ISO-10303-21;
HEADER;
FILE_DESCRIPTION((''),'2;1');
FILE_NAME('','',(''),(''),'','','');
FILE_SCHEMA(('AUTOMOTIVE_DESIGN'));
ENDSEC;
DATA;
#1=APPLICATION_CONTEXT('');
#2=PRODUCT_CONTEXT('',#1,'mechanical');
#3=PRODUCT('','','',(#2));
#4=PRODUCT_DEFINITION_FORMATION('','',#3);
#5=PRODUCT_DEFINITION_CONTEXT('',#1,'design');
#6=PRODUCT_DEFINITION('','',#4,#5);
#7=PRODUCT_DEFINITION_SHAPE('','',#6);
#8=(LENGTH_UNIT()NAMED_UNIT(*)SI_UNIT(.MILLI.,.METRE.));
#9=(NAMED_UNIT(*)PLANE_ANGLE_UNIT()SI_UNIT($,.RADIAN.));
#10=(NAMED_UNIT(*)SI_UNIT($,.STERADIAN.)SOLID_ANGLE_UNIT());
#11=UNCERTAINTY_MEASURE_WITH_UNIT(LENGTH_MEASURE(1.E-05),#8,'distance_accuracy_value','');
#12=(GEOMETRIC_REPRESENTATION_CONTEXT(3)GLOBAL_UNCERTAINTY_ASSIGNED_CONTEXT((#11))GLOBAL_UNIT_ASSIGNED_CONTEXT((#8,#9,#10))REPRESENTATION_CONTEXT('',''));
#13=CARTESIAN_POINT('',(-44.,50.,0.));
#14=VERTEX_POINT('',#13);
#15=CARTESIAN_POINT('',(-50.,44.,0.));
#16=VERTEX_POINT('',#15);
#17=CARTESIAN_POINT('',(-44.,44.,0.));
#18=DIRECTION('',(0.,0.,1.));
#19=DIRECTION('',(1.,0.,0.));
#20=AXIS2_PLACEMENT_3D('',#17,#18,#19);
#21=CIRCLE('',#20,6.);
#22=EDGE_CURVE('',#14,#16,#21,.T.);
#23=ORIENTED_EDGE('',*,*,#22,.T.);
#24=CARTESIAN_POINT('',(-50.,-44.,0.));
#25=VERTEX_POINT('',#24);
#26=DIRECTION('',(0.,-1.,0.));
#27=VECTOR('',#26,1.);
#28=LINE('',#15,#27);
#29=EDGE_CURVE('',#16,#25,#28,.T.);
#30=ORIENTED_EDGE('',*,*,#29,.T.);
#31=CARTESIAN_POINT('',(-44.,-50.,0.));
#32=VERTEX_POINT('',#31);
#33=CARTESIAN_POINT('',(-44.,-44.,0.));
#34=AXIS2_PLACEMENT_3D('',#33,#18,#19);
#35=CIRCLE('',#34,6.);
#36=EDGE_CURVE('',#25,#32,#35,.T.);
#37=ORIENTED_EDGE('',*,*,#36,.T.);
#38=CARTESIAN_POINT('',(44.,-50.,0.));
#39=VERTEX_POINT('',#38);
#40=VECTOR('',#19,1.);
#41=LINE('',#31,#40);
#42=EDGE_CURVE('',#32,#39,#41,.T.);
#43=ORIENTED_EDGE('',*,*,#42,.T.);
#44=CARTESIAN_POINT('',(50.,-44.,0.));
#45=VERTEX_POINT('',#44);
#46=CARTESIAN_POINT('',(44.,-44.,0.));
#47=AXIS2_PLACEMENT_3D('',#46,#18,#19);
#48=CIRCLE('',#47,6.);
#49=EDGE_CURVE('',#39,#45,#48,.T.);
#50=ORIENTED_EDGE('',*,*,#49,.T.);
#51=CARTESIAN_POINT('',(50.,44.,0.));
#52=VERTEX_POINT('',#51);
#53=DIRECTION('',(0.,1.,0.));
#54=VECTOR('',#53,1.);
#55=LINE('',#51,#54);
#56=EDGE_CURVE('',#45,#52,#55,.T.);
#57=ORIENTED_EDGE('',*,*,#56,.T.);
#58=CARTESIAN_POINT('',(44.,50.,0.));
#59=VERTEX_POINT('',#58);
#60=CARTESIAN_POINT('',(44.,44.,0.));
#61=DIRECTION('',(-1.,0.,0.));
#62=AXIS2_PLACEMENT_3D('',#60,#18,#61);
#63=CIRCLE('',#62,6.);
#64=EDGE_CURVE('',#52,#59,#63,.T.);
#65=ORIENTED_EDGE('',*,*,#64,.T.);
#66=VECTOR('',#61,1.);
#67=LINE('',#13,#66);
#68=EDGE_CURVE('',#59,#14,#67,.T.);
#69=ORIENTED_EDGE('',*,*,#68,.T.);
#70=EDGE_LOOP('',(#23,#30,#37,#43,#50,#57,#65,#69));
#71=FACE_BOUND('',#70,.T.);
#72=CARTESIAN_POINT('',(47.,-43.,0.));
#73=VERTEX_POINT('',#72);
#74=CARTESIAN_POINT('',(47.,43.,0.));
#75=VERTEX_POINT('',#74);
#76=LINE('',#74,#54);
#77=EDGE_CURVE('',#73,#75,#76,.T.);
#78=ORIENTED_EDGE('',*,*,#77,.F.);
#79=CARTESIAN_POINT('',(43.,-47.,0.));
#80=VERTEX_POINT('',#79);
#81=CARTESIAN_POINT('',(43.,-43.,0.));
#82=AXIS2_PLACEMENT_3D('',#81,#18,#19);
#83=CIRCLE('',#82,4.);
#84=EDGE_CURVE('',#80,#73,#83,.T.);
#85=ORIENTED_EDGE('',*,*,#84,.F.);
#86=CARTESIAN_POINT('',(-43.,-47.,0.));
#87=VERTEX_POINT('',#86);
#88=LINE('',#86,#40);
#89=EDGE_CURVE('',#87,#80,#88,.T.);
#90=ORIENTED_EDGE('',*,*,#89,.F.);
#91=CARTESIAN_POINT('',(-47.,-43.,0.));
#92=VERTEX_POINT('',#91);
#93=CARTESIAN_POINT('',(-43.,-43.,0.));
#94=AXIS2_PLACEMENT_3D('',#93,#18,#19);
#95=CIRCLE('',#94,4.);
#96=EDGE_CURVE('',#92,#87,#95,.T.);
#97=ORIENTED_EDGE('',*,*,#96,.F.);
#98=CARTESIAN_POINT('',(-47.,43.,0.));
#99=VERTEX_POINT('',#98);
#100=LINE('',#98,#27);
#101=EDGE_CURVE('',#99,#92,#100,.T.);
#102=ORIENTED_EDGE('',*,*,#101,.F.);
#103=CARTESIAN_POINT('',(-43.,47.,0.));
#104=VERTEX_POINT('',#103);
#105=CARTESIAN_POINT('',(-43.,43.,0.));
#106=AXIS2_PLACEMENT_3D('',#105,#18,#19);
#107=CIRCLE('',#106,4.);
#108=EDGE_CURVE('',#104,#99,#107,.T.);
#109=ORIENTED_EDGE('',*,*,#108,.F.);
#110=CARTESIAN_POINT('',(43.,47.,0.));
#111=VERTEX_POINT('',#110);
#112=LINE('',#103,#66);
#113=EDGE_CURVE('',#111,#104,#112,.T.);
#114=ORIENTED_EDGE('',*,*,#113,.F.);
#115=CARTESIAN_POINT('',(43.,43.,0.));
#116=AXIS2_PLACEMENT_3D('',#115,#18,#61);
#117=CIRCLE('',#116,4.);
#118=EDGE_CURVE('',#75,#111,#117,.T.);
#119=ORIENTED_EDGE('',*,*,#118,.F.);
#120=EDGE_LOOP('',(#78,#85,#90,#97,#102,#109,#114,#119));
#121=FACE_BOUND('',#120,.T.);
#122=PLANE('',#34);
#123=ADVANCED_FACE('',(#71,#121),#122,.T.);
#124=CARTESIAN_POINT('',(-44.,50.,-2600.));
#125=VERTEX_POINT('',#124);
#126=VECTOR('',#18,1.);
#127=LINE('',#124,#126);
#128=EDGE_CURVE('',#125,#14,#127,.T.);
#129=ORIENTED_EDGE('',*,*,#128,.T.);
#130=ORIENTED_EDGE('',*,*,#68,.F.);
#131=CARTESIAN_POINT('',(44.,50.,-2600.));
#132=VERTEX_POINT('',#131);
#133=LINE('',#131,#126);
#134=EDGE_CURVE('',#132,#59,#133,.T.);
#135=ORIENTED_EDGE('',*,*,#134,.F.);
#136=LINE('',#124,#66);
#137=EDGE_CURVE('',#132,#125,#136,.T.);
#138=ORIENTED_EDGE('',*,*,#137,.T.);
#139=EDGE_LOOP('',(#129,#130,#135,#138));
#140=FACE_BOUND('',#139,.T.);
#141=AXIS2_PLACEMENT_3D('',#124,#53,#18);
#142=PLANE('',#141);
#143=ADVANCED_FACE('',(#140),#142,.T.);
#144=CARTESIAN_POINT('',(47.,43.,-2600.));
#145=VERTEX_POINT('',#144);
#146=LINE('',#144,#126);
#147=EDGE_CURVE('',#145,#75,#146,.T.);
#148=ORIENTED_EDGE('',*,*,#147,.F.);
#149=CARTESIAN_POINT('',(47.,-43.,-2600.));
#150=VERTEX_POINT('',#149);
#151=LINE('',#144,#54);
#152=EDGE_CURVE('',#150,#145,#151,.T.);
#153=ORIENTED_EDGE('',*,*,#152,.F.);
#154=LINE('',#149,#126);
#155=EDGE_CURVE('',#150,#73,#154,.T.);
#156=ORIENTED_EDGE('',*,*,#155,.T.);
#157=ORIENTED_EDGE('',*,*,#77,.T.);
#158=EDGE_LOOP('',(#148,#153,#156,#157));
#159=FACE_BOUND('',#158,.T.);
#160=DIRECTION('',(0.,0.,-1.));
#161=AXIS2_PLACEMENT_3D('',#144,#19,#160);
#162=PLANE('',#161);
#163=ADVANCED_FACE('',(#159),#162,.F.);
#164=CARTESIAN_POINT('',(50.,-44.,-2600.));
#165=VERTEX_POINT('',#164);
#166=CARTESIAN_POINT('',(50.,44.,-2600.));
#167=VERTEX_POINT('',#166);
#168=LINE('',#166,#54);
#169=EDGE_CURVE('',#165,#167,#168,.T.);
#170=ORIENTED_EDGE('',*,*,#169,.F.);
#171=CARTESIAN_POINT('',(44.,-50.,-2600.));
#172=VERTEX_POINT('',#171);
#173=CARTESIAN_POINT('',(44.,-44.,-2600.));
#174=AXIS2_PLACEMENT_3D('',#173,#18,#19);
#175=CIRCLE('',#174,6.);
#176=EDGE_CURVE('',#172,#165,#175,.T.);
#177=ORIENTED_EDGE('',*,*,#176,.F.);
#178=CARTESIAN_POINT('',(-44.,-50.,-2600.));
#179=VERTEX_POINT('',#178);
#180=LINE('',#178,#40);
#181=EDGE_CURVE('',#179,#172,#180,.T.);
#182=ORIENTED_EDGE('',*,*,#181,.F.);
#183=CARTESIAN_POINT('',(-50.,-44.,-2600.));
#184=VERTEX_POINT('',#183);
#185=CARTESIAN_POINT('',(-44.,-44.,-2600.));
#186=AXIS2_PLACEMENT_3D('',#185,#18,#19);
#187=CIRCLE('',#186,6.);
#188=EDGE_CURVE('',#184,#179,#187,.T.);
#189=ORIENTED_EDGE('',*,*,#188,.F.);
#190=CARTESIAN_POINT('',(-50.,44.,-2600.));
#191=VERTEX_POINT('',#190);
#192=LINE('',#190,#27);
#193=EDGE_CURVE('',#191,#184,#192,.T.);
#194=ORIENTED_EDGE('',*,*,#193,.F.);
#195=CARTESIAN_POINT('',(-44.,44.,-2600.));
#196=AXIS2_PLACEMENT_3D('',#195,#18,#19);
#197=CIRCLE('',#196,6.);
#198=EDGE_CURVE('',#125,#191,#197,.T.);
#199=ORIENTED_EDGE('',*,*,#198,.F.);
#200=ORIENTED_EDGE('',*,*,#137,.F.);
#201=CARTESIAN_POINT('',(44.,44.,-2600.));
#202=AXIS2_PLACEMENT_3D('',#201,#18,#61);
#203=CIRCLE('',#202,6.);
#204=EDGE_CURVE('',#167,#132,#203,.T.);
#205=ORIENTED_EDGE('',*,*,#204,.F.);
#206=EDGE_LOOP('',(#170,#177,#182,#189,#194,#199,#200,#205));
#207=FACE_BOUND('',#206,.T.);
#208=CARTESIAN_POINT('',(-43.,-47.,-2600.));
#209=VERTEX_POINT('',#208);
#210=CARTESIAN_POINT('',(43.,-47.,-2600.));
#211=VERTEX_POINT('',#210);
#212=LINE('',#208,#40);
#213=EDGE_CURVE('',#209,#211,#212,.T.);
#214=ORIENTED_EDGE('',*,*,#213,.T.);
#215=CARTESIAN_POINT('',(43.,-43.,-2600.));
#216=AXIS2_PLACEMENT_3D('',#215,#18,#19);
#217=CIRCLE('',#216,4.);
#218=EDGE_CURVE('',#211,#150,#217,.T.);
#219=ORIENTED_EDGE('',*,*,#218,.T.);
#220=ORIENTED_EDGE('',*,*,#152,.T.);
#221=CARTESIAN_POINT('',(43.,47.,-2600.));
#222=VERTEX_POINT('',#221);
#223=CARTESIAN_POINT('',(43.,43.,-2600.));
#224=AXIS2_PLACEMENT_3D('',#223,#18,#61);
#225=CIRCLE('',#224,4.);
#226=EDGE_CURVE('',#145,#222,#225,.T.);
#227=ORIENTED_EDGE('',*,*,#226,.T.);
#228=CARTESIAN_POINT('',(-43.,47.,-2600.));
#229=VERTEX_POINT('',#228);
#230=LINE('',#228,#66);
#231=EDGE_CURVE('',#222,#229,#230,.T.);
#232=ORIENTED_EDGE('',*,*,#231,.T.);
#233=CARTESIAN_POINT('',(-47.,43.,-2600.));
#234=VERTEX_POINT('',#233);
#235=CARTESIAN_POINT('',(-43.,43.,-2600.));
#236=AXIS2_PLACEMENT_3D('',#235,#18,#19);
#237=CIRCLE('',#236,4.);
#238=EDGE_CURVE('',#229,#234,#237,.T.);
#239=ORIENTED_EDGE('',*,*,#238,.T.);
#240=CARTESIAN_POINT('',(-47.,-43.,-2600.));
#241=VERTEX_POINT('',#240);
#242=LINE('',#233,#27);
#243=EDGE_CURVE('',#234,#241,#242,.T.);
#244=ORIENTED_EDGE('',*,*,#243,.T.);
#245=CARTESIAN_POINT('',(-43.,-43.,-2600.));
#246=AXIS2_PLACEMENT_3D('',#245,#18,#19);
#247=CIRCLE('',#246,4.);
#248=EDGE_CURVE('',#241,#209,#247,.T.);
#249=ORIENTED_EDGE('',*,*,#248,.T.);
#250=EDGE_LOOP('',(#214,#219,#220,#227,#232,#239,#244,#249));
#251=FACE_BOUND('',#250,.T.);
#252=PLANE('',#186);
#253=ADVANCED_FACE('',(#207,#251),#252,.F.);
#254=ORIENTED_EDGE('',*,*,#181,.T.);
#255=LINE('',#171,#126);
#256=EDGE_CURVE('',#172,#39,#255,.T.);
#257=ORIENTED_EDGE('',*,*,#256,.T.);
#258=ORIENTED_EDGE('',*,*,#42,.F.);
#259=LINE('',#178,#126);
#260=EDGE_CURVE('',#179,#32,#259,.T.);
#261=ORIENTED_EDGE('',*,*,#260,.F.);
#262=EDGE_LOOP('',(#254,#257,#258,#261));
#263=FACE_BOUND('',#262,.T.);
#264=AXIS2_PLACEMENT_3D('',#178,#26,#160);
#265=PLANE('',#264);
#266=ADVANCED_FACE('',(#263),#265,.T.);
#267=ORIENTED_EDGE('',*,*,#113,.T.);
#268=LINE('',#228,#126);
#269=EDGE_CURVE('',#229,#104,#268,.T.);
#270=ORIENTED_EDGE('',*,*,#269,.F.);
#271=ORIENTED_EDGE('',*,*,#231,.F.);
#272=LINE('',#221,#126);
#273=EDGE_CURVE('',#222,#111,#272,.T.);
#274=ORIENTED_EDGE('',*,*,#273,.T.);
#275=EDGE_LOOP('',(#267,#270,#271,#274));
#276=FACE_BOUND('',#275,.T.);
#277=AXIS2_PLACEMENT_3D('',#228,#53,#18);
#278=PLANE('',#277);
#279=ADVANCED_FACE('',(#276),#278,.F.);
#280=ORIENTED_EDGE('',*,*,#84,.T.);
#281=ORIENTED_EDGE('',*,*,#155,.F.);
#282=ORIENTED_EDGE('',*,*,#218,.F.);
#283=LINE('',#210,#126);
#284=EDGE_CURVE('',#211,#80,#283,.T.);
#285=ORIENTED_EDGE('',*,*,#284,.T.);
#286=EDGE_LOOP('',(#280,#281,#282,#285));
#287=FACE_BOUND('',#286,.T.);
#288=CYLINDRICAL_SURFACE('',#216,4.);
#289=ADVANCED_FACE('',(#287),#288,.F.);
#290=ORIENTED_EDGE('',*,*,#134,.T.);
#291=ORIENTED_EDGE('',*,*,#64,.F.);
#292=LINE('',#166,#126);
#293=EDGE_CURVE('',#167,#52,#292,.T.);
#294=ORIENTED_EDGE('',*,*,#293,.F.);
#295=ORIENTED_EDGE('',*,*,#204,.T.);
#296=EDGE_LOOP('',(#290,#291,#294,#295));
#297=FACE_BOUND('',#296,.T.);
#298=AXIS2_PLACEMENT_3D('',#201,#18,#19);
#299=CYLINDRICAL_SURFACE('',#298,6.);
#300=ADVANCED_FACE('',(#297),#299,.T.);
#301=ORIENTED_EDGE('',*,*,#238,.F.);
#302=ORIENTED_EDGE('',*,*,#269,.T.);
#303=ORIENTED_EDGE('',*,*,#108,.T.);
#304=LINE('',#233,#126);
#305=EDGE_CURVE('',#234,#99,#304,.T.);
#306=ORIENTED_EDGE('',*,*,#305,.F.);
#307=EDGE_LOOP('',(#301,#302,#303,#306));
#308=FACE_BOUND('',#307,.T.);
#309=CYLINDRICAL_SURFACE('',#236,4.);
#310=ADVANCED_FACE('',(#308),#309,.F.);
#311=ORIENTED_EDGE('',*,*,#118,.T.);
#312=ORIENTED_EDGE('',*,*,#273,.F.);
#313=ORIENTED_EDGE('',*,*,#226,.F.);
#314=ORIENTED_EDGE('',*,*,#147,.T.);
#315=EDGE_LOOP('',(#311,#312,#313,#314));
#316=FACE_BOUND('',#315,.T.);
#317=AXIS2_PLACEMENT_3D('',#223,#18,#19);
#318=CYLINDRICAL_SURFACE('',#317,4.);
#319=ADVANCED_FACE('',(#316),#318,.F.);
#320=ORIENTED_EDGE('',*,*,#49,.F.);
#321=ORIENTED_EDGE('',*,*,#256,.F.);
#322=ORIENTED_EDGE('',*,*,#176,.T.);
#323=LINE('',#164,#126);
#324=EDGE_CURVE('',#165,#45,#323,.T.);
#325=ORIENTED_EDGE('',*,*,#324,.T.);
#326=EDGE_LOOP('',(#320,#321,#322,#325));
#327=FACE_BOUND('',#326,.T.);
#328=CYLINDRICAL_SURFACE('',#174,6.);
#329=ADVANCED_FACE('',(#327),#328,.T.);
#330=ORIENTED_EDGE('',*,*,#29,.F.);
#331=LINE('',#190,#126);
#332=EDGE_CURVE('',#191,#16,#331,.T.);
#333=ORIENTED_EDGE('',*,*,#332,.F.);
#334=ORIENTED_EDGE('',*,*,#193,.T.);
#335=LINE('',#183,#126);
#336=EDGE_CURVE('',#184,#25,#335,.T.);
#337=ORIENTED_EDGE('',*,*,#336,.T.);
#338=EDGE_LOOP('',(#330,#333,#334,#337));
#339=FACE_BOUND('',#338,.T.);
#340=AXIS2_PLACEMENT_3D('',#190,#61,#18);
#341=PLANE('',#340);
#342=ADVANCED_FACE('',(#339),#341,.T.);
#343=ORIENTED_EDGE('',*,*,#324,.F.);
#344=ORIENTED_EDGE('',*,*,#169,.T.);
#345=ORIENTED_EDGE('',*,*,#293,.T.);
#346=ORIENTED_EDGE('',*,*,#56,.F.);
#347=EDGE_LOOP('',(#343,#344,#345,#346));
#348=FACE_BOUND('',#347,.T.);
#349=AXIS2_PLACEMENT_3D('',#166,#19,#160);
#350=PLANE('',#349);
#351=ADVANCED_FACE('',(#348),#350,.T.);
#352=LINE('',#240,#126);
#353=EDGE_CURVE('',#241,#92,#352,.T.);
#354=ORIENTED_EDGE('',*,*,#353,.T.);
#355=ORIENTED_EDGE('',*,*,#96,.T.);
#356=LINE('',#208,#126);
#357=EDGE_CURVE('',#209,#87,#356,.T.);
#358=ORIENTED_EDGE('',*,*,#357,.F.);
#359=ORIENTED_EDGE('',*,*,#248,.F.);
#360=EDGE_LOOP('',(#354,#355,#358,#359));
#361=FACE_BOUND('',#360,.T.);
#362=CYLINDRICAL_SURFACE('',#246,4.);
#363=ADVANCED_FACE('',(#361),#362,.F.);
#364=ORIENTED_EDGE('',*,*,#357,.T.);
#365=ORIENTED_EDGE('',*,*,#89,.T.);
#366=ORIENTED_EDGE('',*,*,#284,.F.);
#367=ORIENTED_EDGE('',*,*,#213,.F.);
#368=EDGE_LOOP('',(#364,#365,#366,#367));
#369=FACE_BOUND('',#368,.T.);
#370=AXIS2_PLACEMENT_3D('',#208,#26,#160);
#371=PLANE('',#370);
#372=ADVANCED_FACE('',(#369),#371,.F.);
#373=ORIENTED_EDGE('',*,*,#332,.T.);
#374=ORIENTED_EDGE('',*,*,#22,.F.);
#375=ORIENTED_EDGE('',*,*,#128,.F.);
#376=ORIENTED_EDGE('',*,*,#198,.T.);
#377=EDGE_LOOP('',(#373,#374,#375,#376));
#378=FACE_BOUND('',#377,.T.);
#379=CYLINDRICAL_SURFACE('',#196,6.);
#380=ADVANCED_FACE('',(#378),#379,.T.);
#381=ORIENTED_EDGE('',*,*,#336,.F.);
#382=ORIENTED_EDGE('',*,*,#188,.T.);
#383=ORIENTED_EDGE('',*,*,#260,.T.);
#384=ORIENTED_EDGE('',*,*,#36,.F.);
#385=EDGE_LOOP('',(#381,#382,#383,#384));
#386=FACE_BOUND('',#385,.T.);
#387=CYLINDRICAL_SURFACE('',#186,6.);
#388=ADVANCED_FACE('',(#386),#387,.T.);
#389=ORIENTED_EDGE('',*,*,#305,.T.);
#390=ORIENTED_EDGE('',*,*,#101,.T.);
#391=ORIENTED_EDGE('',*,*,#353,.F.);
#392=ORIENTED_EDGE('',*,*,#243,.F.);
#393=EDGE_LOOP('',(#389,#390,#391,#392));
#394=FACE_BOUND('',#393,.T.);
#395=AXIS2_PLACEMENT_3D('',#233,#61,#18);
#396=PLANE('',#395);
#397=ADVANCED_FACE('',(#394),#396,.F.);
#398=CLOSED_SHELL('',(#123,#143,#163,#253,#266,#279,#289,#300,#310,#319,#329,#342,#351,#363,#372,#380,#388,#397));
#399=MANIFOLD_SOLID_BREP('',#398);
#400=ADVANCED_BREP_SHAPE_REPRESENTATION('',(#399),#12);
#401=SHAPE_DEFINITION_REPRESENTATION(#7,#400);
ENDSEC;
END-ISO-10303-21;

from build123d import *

# Parameters (mm, degrees)
EXTRUDE_1_DEPTH = 2600


with BuildPart() as part:
    # Эскиз1 → Бобышка-Вытянуть1 (new body)
    with BuildSketch(Plane.XY):
        with BuildLine():
            Line((-44, 50), (44, 50))
            ThreePointArc((44, 50), (48.242640687, 48.242640687), (50, 44))
            Line((50, 44), (50, -44))
            ThreePointArc((50, -44), (48.242640687, -48.242640687), (44, -50))
            Line((44, -50), (-44, -50))
            ThreePointArc((-44, -50), (-48.242640687, -48.242640687), (-50, -44))
            Line((-50, -44), (-50, 44))
            ThreePointArc((-50, 44), (-48.242640687, 48.242640687), (-44, 50))
        make_face()
        with BuildLine():
            Line((-43, 47), (43, 47))
            ThreePointArc((43, 47), (45.828427125, 45.828427125), (47, 43))
            Line((47, 43), (47, -43))
            ThreePointArc((47, -43), (45.828427125, -45.828427125), (43, -47))
            Line((43, -47), (-43, -47))
            ThreePointArc((-43, -47), (-45.828427125, -45.828427125), (-47, -43))
            Line((-47, -43), (-47, 43))
            ThreePointArc((-47, 43), (-45.828427125, 45.828427125), (-43, 47))
        make_face(mode=Mode.SUBTRACT)
    extrude(amount=-EXTRUDE_1_DEPTH)


solid = part.part
